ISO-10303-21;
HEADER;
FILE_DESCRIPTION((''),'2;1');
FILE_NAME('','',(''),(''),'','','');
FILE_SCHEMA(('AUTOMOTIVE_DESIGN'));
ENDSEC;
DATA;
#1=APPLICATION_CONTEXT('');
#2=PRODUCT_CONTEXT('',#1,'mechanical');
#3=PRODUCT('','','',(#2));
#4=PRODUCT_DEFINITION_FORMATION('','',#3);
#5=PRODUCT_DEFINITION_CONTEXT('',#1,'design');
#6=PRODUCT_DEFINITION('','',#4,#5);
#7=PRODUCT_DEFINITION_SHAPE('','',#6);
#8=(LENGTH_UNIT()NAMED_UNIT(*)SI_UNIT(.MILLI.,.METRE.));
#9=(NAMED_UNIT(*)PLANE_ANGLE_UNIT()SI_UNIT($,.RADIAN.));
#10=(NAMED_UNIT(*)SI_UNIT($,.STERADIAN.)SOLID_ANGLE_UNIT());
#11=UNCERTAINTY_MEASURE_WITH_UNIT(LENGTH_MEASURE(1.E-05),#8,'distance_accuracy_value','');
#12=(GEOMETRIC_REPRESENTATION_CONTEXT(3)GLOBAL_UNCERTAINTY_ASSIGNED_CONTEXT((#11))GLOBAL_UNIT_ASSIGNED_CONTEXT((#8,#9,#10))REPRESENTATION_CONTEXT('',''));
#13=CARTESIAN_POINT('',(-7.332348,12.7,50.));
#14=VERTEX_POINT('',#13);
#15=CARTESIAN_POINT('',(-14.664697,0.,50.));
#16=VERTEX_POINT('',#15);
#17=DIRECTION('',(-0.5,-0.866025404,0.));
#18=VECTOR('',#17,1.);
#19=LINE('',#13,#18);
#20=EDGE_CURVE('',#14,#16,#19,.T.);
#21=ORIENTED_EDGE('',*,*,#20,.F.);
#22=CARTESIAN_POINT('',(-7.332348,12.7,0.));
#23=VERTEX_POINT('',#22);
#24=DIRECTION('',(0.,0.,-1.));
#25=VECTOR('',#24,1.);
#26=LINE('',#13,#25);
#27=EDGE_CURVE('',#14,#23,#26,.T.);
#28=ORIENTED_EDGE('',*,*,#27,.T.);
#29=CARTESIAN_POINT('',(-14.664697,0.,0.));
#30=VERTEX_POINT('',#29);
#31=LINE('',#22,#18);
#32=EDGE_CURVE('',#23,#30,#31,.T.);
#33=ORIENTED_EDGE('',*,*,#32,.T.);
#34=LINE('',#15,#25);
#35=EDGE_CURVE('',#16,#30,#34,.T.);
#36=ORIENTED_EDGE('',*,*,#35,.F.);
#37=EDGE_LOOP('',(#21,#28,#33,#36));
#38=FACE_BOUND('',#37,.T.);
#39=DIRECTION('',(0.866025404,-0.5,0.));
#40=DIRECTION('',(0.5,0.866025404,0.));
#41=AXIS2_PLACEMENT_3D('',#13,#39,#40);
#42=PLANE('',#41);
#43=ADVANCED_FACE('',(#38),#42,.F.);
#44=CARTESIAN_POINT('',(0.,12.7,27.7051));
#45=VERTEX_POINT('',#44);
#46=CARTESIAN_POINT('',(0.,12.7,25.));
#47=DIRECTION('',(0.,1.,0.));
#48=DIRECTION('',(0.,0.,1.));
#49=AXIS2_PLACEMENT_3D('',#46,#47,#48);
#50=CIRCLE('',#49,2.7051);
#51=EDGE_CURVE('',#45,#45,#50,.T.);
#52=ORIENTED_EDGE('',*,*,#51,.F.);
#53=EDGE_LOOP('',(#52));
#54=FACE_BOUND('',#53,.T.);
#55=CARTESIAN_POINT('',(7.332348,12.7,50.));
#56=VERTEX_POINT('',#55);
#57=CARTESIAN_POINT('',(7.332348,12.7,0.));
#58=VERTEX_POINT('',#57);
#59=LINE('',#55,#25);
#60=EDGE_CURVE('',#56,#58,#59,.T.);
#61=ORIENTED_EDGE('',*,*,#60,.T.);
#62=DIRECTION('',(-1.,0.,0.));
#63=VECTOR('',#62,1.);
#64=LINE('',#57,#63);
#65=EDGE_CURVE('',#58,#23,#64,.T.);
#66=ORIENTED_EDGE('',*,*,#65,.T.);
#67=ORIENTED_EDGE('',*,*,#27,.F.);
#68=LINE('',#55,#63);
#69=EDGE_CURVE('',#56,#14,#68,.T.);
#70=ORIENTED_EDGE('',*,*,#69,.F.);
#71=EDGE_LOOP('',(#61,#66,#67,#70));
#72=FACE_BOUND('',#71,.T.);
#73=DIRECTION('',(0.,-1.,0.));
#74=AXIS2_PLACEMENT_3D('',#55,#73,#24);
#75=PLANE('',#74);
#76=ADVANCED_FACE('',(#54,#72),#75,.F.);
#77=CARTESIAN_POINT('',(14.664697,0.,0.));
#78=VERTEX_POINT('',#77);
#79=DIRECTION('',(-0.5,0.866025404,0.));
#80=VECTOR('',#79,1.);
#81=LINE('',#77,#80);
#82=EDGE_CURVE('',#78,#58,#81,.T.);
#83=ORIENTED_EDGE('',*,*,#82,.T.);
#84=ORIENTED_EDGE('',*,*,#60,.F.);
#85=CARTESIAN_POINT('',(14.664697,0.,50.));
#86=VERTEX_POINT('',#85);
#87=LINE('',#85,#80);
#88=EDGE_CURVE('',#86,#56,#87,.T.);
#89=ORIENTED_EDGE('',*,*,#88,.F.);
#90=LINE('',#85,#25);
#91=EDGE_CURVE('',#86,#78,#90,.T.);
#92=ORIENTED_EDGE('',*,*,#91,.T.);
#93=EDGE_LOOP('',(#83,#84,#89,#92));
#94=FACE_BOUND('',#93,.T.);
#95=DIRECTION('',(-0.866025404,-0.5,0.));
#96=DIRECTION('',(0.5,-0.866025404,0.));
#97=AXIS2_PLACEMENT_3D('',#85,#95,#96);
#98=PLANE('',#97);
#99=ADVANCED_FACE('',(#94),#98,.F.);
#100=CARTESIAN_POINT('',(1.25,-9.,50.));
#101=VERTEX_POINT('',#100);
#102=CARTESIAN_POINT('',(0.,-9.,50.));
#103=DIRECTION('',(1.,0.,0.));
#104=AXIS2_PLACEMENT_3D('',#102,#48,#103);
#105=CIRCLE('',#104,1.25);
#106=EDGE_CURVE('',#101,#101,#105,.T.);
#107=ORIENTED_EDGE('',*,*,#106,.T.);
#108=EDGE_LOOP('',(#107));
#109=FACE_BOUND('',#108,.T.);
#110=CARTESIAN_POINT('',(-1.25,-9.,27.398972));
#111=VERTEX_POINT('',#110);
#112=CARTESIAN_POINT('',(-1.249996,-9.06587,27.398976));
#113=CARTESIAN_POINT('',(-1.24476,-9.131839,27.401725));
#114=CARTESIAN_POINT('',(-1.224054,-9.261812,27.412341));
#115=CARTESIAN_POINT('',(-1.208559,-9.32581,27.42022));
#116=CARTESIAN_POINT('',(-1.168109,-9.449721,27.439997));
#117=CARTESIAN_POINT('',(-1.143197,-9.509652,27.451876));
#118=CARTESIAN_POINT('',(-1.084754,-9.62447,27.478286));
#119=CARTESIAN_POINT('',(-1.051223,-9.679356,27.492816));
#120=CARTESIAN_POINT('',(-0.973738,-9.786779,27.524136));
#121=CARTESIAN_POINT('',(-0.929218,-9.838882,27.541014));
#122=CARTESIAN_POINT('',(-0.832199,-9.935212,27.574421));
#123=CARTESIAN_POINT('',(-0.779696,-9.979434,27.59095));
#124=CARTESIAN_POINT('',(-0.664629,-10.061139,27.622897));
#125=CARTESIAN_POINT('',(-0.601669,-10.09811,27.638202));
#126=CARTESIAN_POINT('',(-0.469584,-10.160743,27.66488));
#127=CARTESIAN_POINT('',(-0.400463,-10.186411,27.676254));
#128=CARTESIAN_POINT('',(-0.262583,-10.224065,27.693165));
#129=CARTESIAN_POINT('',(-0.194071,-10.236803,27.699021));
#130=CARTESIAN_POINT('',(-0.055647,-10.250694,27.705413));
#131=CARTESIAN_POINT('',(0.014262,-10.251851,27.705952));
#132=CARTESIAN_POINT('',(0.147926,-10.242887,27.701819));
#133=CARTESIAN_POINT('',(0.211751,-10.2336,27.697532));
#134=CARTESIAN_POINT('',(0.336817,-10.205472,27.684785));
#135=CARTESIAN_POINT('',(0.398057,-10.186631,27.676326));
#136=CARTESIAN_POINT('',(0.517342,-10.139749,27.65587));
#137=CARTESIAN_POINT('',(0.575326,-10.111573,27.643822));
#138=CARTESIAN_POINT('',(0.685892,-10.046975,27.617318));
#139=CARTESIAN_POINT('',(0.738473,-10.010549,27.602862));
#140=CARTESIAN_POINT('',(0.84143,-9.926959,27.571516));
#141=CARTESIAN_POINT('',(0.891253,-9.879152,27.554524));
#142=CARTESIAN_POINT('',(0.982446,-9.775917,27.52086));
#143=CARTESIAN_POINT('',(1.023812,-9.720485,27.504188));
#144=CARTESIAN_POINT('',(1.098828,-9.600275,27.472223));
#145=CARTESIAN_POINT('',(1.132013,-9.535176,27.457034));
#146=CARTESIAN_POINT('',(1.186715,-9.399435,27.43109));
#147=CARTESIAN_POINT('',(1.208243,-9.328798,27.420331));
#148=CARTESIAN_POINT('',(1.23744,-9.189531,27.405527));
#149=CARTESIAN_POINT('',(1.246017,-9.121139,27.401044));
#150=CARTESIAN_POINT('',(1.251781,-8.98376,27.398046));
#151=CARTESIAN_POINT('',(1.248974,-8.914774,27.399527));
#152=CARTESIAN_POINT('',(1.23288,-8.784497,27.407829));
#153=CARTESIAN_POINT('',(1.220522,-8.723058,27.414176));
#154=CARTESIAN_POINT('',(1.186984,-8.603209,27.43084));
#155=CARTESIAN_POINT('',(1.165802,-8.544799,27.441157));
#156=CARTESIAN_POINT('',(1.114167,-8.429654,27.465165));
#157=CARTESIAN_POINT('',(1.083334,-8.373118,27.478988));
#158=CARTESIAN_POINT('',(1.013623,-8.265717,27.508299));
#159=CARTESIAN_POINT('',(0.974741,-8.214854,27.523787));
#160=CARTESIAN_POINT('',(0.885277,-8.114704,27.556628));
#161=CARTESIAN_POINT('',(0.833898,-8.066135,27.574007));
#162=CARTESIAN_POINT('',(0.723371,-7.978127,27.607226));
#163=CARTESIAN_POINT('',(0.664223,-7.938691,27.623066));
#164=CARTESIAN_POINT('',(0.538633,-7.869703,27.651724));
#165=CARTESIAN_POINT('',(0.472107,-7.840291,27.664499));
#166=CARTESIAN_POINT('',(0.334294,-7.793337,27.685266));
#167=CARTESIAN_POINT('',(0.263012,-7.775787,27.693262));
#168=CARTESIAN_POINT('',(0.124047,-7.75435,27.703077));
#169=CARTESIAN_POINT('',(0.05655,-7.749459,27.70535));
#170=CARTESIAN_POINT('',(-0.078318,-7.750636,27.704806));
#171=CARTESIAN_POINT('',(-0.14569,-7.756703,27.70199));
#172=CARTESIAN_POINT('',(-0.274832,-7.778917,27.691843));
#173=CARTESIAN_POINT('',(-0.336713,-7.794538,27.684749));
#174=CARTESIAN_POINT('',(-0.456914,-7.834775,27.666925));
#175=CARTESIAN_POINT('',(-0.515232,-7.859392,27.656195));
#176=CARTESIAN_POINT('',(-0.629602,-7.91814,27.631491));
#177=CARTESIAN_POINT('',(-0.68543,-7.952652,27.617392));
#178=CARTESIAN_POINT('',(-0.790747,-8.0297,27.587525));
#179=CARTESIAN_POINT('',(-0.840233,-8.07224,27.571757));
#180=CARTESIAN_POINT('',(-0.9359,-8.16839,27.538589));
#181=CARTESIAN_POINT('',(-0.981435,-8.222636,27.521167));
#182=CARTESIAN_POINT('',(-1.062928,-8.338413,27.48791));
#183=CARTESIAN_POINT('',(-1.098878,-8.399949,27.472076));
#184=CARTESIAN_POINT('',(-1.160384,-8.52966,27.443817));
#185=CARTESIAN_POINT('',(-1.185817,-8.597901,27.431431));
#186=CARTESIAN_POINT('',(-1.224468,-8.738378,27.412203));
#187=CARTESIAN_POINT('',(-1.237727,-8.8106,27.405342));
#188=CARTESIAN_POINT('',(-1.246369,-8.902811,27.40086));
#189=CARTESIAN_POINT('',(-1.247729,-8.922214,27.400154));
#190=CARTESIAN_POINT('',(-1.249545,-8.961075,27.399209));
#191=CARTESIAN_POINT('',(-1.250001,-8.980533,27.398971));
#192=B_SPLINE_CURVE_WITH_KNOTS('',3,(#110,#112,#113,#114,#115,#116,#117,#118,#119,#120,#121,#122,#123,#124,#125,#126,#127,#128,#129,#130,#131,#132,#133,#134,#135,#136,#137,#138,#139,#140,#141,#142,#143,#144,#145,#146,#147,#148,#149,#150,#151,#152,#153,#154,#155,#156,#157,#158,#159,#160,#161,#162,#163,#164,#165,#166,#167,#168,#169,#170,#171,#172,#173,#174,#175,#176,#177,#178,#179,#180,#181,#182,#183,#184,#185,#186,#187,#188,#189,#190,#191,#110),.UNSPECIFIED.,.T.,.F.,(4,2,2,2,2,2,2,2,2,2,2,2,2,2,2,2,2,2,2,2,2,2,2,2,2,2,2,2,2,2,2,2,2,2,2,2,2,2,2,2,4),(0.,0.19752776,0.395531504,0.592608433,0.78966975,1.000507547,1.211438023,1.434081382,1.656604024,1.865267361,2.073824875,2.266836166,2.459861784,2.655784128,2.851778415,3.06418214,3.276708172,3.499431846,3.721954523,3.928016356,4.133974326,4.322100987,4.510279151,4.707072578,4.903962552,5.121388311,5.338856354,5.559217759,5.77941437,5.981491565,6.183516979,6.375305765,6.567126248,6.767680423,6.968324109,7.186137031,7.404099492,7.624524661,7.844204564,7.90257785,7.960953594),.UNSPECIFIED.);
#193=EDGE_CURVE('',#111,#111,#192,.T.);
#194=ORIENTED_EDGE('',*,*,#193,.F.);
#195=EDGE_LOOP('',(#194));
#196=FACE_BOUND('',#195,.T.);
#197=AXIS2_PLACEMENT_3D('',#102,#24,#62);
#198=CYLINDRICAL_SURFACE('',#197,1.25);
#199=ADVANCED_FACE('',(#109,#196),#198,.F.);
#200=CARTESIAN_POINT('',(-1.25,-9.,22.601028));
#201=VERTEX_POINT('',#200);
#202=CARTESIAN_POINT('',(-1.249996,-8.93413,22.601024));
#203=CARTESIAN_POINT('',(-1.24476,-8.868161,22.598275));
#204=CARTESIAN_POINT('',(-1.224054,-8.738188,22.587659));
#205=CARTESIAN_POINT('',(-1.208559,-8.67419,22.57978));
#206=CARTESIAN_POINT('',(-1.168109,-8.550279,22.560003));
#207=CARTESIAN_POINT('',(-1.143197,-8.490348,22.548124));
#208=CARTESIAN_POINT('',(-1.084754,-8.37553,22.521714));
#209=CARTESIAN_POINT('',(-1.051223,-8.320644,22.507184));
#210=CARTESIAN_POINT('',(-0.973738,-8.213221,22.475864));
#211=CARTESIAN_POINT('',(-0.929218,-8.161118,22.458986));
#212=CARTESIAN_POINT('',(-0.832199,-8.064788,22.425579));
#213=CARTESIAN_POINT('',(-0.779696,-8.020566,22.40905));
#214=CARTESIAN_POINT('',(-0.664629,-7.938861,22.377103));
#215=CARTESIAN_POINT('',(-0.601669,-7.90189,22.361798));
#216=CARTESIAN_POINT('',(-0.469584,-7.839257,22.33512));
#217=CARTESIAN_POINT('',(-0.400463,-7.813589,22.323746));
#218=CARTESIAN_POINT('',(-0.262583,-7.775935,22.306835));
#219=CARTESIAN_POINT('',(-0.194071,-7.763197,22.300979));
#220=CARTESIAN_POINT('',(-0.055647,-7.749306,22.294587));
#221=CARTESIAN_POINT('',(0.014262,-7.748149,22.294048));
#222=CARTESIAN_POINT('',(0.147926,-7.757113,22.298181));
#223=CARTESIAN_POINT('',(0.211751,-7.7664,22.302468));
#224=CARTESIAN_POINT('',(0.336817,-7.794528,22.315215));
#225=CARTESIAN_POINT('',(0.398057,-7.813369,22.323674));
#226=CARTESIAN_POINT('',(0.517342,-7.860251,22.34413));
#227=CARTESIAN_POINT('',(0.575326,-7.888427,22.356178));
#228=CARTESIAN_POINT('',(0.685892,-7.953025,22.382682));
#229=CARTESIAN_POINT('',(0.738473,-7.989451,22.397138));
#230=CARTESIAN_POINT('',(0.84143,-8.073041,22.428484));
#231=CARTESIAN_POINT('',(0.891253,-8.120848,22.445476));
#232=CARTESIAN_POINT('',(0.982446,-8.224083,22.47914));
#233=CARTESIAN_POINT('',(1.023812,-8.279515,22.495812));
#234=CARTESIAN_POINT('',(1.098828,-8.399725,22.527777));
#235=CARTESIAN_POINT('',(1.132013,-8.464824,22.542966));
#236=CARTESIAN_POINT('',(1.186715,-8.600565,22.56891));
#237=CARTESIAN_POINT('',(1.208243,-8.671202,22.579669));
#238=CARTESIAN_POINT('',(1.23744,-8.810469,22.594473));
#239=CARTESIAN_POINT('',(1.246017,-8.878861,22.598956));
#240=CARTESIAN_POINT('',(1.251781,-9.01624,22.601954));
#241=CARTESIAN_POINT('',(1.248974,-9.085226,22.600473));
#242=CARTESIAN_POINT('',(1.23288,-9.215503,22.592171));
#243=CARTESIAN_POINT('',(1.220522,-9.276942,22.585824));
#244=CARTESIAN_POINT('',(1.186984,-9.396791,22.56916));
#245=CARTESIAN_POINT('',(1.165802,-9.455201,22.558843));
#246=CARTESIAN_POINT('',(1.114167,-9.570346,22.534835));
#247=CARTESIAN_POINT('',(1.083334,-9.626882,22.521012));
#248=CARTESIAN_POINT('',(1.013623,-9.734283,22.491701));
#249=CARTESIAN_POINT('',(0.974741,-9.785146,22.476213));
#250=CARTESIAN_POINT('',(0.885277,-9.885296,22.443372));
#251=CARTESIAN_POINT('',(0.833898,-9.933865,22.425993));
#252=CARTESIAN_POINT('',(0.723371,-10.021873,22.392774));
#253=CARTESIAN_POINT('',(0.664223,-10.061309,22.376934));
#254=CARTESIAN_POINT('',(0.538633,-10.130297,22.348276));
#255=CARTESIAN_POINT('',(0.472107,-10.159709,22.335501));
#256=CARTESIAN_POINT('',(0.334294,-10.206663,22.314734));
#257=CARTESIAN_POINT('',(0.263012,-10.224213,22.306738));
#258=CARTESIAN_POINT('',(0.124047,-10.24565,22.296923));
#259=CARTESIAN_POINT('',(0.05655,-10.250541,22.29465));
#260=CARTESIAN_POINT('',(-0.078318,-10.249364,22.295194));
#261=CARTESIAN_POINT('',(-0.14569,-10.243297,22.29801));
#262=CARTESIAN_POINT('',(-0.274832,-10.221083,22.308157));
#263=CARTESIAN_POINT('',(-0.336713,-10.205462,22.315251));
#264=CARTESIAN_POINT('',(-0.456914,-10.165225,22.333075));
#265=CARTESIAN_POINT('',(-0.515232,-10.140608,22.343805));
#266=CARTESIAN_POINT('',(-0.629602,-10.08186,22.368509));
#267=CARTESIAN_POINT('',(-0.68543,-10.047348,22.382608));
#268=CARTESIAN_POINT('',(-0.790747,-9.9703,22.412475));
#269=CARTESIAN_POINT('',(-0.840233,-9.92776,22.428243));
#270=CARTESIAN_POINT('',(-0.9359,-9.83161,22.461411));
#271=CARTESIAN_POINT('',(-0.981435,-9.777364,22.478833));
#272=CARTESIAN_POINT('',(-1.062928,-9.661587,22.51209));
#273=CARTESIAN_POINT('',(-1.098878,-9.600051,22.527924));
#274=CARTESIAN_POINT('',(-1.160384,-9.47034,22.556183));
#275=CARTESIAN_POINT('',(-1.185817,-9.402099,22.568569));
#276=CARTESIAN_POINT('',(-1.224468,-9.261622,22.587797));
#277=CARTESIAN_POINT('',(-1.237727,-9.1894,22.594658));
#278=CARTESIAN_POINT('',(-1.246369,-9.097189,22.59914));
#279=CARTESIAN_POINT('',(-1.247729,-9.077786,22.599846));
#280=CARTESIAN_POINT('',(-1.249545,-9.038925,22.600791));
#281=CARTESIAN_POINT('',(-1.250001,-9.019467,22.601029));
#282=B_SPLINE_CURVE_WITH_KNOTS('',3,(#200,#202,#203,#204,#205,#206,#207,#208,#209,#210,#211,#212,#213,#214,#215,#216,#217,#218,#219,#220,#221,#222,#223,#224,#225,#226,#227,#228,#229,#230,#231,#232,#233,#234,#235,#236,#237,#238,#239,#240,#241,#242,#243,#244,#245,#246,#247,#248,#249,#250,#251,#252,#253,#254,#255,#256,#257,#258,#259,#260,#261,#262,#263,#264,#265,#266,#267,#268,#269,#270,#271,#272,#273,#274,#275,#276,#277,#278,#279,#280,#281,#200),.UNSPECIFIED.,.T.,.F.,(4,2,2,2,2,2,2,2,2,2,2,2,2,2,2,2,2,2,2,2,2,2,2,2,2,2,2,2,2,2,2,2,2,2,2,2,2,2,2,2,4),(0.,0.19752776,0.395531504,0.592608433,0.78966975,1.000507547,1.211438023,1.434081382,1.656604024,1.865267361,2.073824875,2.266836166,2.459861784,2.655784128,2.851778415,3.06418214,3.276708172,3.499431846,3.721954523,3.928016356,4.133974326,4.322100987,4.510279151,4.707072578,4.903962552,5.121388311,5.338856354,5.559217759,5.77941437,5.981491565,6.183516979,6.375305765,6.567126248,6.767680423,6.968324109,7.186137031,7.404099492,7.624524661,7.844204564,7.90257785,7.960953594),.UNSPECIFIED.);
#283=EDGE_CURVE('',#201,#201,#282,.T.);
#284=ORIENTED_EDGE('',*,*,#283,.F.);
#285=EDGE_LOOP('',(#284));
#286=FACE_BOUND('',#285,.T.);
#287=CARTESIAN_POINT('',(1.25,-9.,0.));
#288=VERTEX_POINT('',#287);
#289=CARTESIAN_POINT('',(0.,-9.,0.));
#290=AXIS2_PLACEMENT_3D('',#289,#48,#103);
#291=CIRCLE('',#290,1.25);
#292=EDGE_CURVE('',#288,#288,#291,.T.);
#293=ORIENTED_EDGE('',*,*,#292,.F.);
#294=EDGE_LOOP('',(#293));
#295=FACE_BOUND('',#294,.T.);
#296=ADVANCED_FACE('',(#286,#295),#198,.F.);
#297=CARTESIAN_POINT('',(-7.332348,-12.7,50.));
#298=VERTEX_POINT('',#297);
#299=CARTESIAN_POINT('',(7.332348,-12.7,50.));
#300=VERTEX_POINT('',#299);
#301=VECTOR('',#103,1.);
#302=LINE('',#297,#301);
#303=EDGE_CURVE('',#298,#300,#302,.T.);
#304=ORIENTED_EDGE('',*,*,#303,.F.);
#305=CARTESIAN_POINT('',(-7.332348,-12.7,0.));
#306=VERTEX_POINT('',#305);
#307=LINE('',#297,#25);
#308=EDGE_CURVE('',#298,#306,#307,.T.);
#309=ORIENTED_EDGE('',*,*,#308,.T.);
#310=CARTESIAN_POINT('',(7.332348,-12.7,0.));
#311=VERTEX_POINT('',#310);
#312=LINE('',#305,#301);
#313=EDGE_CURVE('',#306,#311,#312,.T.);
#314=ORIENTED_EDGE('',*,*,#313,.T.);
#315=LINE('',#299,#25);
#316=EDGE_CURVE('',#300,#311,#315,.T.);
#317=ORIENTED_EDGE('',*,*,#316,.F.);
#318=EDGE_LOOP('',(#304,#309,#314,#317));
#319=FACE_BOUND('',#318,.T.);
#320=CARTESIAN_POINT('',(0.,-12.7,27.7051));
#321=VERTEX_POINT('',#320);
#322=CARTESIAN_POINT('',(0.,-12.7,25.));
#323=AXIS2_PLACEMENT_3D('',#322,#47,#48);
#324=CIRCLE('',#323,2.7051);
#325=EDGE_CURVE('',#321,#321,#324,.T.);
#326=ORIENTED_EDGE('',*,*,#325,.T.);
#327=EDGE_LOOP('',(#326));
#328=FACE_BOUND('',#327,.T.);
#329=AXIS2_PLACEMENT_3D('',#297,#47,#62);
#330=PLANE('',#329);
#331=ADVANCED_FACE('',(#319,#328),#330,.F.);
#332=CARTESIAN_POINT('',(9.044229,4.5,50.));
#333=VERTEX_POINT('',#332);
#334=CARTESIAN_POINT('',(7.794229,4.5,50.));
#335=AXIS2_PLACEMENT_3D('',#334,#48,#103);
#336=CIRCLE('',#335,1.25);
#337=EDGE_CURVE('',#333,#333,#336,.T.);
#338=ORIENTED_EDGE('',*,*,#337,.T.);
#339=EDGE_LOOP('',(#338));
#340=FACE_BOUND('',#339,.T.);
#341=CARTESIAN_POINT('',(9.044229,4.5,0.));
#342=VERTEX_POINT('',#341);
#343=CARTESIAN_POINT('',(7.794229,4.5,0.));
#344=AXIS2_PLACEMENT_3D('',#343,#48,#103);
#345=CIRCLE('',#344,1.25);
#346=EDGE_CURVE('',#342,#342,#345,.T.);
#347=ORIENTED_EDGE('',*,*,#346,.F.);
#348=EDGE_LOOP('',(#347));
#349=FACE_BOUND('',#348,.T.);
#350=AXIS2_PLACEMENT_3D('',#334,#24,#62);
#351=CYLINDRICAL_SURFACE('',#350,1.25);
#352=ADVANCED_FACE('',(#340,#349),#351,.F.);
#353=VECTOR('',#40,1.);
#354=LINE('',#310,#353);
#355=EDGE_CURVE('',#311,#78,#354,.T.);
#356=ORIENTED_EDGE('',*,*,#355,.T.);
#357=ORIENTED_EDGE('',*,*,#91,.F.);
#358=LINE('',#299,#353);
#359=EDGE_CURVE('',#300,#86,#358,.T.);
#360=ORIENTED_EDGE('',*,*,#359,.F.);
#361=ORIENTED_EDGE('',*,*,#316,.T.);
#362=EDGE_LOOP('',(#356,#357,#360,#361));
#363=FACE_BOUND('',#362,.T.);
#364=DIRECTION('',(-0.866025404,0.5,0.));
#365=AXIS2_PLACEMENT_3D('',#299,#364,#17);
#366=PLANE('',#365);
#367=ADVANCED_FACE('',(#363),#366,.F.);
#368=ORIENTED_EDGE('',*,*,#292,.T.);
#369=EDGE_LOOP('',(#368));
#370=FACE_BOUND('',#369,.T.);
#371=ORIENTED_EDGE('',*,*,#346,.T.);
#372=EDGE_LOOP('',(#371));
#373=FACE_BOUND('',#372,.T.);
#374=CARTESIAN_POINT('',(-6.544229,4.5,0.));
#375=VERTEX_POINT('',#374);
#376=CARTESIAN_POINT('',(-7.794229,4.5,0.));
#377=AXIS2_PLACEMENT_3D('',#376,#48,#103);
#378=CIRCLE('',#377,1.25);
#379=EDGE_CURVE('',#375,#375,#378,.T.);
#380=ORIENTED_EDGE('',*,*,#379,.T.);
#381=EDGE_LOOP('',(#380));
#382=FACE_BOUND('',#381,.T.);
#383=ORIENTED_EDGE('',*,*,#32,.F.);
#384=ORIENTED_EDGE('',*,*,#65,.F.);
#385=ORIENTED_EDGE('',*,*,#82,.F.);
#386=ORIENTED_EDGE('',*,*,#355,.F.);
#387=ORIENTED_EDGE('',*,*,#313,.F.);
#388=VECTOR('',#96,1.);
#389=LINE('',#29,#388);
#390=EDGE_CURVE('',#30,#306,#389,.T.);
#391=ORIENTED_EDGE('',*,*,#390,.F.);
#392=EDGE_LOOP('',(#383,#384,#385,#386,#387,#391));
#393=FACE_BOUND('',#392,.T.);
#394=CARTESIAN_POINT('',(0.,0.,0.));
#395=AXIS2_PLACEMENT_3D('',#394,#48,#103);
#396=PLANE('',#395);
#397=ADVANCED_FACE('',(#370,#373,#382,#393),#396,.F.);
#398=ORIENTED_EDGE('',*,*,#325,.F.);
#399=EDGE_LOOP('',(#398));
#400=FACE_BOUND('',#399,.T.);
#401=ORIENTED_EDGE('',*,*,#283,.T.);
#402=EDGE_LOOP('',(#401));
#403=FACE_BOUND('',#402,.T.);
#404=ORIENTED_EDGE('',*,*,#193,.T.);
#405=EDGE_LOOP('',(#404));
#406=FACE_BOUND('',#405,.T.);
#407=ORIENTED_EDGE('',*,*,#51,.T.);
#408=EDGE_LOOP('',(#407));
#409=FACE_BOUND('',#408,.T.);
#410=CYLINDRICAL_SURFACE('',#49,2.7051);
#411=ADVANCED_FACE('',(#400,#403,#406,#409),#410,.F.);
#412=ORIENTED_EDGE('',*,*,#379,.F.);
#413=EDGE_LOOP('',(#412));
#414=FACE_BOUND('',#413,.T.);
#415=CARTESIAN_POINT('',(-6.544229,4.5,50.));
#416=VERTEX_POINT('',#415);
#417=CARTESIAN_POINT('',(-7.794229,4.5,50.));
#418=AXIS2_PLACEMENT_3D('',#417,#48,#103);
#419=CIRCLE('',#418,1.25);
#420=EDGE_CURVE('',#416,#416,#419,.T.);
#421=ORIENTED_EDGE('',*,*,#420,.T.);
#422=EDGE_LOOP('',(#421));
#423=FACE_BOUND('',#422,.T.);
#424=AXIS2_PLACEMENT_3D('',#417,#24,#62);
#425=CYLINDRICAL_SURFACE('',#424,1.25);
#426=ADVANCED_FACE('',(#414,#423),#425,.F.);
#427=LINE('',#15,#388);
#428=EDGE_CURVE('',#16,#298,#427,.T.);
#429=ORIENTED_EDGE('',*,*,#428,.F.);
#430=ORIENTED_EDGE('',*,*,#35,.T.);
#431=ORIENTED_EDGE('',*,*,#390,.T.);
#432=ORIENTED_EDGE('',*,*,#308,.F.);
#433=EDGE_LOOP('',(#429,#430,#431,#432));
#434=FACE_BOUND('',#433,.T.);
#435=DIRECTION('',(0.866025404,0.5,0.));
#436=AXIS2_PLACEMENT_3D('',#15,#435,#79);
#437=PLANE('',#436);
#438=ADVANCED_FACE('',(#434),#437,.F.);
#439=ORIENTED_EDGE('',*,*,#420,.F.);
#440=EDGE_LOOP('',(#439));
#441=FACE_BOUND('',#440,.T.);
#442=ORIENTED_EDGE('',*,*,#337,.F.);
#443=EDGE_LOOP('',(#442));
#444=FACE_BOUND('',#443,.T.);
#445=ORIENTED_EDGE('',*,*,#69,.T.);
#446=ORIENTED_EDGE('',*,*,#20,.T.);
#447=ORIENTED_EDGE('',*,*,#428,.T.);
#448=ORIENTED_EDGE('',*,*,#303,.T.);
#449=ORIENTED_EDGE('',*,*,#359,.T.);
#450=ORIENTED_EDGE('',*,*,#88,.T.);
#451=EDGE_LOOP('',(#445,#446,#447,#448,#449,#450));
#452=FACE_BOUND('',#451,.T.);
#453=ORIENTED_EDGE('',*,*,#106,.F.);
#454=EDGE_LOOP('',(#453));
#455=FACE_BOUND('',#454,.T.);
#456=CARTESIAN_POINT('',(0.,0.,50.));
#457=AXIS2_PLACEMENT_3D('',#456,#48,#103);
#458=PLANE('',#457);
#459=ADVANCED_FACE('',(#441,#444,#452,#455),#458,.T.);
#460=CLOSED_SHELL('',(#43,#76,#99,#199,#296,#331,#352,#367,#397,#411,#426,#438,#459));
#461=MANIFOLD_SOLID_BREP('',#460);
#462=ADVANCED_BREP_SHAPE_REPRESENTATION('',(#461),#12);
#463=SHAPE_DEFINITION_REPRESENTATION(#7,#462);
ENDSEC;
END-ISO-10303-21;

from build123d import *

# Parameters (mm, degrees)
SKETCH1_R               = 1.25
BOSS_EXTRUDE1_DEPTH     = 50
F_1_4_28_TAPPED_HOLE1_D = 5.4102


with BuildPart() as part:
    # Sketch1 → Boss-Extrude1 (new body)
    with BuildSketch(Plane.XY):
        Polygon((-7.332348419, -12.7), (7.332348419, -12.7), (14.664696837, 0), (7.332348419, 12.7), (-7.332348419, 12.7), (-14.664696837, 0), align=None)
        with Locations((-7.794228634, 4.5)):
            Circle(SKETCH1_R, mode=Mode.SUBTRACT)
        with Locations((7.794228634, 4.5)):
            Circle(SKETCH1_R, mode=Mode.SUBTRACT)
        with Locations((0, -9)):
            Circle(SKETCH1_R, mode=Mode.SUBTRACT)
    extrude(amount=BOSS_EXTRUDE1_DEPTH)

    # 1/4-28 Tapped Hole1 (through all)
    with Locations(Plane(origin=(0, 12.7, 0), x_dir=(1, 0, 0), z_dir=(0, 1, 0))):
        with Locations((0, -25)):
            Hole(F_1_4_28_TAPPED_HOLE1_D / 2)


solid = part.part
